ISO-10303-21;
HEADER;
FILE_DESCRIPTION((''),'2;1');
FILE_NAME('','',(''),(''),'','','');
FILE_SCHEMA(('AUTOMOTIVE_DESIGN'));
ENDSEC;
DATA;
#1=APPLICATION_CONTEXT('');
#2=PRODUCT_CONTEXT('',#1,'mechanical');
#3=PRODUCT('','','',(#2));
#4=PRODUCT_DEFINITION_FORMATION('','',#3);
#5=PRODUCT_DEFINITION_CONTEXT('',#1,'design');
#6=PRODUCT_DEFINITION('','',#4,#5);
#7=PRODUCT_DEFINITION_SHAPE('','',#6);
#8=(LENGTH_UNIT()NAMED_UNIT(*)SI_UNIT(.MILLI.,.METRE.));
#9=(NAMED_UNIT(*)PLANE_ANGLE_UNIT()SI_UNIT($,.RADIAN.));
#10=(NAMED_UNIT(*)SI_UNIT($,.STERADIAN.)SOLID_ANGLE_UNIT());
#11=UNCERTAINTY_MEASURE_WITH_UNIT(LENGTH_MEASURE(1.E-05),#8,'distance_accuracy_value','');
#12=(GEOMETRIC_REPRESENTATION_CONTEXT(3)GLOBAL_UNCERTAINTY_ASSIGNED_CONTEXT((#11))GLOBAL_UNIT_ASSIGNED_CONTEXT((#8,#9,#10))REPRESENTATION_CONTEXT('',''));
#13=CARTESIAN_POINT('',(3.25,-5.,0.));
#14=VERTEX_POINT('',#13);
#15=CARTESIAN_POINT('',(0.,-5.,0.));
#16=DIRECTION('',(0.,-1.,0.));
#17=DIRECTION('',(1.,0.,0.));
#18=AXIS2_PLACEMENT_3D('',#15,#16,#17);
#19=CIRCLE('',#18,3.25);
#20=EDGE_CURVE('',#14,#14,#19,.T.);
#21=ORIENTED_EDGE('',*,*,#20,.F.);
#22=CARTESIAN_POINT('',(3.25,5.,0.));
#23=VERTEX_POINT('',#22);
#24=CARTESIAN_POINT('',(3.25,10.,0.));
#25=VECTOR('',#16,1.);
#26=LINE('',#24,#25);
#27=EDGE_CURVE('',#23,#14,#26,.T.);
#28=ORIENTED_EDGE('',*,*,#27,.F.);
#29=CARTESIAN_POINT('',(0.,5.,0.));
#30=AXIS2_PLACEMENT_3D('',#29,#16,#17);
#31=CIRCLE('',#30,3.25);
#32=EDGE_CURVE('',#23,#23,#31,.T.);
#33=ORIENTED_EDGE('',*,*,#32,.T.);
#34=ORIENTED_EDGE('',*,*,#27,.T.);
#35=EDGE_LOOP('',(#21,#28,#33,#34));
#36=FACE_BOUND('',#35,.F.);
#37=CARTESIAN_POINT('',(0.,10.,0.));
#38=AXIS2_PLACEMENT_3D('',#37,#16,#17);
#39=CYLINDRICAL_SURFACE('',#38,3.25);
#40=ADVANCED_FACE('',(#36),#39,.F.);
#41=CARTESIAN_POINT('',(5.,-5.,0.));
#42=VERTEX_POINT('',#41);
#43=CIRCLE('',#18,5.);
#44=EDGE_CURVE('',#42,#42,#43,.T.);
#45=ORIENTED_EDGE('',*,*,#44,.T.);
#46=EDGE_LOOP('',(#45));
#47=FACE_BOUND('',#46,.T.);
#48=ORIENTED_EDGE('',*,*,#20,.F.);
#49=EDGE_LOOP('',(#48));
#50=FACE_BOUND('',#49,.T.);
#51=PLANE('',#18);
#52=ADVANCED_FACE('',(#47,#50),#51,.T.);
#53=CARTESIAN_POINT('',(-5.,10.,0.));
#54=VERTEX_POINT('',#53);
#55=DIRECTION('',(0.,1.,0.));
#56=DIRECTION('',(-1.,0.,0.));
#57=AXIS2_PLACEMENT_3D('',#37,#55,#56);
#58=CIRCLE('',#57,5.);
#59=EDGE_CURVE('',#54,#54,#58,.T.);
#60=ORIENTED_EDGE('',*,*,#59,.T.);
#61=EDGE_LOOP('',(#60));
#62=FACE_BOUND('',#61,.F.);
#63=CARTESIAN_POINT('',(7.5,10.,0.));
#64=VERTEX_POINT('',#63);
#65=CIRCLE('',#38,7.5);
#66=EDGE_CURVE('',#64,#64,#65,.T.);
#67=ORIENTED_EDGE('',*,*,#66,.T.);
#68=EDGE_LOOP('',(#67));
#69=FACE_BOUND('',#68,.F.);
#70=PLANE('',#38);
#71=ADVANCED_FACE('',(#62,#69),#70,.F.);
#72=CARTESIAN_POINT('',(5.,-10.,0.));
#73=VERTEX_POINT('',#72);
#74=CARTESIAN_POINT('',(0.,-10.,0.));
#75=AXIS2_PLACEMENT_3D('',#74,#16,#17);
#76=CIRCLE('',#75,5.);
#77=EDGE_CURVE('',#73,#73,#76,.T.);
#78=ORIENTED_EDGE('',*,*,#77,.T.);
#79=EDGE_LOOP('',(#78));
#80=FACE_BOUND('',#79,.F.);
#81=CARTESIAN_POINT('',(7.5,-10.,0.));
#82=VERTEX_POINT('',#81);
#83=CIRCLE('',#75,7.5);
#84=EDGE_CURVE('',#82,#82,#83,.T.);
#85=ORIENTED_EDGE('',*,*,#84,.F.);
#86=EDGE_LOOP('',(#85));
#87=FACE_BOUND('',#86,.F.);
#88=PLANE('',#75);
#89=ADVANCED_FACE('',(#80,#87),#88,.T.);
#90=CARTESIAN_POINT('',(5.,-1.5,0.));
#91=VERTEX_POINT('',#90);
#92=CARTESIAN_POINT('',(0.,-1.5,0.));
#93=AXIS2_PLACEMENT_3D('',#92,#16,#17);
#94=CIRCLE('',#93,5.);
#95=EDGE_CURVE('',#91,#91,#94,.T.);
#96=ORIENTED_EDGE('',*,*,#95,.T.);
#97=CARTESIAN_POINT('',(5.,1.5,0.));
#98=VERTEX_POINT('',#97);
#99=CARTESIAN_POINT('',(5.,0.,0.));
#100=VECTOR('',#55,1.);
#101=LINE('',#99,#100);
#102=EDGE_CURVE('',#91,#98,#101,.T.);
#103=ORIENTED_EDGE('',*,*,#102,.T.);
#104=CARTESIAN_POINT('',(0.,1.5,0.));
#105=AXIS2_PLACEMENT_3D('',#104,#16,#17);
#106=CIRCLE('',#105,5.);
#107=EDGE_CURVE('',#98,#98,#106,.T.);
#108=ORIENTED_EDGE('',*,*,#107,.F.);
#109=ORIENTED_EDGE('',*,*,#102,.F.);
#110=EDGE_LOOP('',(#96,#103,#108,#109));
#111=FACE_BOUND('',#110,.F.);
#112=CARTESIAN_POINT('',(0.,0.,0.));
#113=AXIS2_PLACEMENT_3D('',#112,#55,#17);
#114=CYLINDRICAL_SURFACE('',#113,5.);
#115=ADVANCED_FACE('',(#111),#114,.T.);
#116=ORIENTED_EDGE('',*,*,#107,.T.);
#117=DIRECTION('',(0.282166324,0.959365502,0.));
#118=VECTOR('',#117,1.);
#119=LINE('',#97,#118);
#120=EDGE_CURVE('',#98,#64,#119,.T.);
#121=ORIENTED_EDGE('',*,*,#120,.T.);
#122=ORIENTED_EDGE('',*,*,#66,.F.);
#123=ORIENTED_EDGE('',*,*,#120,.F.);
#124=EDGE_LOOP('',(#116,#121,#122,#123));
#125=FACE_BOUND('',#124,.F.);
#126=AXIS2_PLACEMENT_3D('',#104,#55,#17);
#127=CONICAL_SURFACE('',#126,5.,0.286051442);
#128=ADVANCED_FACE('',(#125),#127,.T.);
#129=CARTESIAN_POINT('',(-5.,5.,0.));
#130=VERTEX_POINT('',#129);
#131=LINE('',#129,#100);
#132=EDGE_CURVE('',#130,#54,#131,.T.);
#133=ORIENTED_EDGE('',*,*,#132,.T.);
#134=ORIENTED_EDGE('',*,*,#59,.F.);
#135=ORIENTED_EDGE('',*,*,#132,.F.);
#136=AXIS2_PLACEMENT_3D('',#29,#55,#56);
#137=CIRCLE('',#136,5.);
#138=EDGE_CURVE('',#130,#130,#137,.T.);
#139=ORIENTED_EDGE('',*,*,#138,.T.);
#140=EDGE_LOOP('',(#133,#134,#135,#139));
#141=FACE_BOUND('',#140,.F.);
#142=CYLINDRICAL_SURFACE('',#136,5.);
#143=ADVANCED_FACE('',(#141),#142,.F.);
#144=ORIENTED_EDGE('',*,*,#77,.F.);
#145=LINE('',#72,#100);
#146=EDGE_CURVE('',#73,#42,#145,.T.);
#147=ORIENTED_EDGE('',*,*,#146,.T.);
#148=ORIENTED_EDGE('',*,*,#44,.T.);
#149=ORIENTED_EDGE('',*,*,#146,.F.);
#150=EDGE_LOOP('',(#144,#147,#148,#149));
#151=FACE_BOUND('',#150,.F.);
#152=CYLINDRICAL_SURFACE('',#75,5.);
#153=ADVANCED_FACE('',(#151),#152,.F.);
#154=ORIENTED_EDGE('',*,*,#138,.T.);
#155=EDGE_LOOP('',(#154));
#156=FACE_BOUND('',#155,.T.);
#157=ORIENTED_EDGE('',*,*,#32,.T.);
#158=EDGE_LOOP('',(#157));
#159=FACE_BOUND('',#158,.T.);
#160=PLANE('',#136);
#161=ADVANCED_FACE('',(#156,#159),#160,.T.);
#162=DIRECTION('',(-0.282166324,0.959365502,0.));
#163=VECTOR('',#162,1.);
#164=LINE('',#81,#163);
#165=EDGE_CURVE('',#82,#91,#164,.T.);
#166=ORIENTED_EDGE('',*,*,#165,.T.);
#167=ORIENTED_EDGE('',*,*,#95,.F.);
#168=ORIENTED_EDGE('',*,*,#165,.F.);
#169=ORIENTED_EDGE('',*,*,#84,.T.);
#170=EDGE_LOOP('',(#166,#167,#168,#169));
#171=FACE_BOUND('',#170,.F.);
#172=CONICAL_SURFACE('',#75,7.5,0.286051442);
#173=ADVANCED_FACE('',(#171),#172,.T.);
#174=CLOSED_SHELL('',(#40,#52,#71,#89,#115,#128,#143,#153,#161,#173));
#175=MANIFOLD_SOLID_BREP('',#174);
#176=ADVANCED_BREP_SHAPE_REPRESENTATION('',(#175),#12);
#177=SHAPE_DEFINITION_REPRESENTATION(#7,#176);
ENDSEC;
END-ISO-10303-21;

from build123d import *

# Parameters (mm, degrees)
F0_W           = 5
F0_H           = 3
F3_D           = 6.5
F3_CBORE_D     = 10
F3_CBORE_DEPTH = 5
F4_R           = 5
F4_R_2         = 3.25
F5_DEPTH       = 5


with BuildPart() as f1:
    # F0 (on Top) → F1 (revolve)
    with BuildSketch(Plane.XY):
        Polygon((0, 1.5), (5, 1.5), (7.5, 10), (0, 10), align=None)
        Polygon((0, -10), (7.5, -10), (5, -1.5), (0, -1.5), align=None)
        with Locations((2.5, 0)):
            Rectangle(F0_W, F0_H)
    revolve(axis=Axis((0, 0, 0), (0, -1, 0)))

    # F3 (through all)
    with Locations(Plane(origin=(0, 10, 0), x_dir=(-1, 0, 0), z_dir=(0, 1, 0))):
        with Locations((0, 0)):
            CounterBoreHole(F3_D / 2, F3_CBORE_D / 2, F3_CBORE_DEPTH)

    # F4 (on face) → F5 (cut)
    with BuildSketch(Plane.XZ.offset(10)):
        Circle(F4_R)
        Circle(F4_R_2, mode=Mode.SUBTRACT)
    extrude(amount=-F5_DEPTH, mode=Mode.SUBTRACT)


solid = f1.part
